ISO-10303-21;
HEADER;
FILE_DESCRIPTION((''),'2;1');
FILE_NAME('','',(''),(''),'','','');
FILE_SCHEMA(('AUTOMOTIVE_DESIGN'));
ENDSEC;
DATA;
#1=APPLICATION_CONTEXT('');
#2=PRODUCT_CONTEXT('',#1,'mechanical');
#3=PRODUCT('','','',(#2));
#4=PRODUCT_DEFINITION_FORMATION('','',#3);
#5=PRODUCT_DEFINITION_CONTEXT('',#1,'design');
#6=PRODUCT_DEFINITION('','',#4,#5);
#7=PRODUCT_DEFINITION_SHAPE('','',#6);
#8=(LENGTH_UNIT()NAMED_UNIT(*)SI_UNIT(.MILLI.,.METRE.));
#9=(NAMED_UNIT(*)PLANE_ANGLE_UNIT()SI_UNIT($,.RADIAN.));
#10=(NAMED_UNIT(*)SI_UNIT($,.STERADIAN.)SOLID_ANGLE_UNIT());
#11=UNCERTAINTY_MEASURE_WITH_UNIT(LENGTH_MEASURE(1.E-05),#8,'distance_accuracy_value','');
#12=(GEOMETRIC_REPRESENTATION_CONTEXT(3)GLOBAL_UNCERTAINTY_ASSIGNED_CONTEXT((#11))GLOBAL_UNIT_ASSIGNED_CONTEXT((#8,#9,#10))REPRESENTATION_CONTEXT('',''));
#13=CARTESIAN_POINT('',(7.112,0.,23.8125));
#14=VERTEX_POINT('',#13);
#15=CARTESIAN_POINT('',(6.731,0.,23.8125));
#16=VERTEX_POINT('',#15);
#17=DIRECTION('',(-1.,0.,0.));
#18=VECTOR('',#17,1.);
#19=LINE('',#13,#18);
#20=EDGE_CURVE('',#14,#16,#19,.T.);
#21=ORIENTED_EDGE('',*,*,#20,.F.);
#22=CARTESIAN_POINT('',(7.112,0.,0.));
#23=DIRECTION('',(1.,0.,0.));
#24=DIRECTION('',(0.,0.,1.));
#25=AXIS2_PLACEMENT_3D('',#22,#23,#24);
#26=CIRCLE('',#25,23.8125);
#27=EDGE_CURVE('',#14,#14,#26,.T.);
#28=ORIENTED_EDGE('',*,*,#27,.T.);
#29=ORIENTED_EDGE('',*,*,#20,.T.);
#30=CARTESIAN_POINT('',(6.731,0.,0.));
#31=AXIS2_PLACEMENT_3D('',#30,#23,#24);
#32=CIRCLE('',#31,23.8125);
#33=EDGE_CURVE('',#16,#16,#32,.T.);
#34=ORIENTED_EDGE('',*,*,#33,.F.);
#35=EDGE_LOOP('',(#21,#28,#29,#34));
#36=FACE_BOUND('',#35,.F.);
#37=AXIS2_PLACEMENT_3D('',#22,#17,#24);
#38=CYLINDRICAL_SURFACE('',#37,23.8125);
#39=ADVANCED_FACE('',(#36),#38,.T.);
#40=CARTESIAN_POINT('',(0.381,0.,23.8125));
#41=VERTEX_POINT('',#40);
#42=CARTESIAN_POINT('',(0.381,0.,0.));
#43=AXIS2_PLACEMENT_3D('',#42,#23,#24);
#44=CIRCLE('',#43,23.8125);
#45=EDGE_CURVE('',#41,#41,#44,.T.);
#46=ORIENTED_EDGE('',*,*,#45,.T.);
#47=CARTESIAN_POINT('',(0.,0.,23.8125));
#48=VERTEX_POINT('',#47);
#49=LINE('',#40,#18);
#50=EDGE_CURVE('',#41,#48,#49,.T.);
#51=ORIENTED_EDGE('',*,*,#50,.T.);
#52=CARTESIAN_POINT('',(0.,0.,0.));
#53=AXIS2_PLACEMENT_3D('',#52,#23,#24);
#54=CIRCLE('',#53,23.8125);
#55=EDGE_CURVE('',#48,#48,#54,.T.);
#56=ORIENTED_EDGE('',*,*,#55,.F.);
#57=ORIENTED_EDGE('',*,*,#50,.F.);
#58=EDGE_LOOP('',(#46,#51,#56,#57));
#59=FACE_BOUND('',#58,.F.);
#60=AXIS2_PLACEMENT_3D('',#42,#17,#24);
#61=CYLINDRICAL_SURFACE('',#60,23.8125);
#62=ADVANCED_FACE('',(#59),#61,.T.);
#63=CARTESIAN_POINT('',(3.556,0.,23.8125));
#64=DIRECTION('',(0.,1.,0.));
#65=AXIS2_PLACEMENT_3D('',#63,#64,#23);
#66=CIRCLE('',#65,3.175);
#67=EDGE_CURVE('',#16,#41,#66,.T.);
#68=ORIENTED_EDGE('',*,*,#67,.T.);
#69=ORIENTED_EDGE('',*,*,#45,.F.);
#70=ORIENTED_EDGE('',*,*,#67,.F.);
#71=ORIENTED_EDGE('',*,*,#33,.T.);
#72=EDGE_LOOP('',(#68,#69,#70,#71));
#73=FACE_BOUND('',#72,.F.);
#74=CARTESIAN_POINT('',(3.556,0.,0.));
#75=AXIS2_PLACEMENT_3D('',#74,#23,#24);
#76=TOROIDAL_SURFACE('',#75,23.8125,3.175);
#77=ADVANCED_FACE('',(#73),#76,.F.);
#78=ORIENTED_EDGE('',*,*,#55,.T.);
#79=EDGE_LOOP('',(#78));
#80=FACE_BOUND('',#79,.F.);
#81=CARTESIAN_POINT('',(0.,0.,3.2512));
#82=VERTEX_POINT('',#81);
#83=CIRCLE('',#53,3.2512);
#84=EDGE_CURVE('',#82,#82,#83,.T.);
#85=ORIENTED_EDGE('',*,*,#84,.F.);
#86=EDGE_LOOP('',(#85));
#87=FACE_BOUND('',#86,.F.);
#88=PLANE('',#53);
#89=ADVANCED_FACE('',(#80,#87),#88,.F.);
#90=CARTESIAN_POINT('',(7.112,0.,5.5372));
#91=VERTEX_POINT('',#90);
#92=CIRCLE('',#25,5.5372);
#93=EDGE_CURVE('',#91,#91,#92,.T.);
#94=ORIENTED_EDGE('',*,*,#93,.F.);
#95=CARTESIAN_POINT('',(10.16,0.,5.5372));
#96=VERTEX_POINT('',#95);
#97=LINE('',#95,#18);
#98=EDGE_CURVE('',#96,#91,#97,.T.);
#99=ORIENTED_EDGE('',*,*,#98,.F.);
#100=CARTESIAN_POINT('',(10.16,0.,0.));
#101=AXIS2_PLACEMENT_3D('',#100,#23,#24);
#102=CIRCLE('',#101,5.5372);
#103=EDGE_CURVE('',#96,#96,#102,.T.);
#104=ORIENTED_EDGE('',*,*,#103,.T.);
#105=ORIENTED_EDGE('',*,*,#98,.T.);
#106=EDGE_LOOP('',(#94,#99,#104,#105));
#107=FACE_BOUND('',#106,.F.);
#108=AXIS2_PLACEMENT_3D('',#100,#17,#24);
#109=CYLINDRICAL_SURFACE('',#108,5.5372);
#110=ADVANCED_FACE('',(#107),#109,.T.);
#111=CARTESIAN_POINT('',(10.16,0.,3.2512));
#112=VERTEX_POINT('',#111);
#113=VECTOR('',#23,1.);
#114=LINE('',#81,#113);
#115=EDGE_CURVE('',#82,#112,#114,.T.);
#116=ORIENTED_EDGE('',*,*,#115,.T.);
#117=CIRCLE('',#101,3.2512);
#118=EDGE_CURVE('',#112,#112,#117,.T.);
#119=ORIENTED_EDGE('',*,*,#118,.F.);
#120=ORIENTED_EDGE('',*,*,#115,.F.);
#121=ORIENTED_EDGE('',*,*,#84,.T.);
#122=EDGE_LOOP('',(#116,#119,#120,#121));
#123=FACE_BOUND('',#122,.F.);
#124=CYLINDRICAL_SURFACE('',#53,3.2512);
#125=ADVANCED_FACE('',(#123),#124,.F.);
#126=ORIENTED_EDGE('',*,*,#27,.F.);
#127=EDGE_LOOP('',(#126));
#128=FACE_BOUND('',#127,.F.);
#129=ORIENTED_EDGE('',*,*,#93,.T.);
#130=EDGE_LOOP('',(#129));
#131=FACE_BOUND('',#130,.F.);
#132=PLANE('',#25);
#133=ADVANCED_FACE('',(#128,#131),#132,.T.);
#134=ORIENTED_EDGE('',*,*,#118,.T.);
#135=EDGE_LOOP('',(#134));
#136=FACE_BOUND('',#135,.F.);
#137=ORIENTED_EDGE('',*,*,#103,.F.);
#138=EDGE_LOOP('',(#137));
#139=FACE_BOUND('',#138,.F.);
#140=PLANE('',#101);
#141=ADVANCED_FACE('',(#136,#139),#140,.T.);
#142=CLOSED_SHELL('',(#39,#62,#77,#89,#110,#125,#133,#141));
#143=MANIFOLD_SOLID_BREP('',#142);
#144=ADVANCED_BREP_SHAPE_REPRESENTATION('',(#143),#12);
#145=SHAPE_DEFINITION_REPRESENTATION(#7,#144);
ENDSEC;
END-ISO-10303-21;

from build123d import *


with BuildPart() as f1:
    # F0 (on Front) → F1 (revolve)
    with BuildSketch(Plane.XZ):
        with BuildLine():
            Line((0, 23.8125), (0, 3.2512))
            Line((0, 3.2512), (10.16, 3.2512))
            Line((10.16, 3.2512), (10.16, 5.5372))
            Line((10.16, 5.5372), (7.112, 5.5372))
            Line((7.112, 5.5372), (7.112, 23.8125))
            Line((7.112, 23.8125), (6.731, 23.8125))
            ThreePointArc((6.731, 23.8125), (3.556, 20.6375), (0.381, 23.8125))
            Line((0.381, 23.8125), (0, 23.8125))
        make_face()
    revolve(axis=Axis((6.071118, 0, 0), (1, 0, 0)))


solid = f1.part
